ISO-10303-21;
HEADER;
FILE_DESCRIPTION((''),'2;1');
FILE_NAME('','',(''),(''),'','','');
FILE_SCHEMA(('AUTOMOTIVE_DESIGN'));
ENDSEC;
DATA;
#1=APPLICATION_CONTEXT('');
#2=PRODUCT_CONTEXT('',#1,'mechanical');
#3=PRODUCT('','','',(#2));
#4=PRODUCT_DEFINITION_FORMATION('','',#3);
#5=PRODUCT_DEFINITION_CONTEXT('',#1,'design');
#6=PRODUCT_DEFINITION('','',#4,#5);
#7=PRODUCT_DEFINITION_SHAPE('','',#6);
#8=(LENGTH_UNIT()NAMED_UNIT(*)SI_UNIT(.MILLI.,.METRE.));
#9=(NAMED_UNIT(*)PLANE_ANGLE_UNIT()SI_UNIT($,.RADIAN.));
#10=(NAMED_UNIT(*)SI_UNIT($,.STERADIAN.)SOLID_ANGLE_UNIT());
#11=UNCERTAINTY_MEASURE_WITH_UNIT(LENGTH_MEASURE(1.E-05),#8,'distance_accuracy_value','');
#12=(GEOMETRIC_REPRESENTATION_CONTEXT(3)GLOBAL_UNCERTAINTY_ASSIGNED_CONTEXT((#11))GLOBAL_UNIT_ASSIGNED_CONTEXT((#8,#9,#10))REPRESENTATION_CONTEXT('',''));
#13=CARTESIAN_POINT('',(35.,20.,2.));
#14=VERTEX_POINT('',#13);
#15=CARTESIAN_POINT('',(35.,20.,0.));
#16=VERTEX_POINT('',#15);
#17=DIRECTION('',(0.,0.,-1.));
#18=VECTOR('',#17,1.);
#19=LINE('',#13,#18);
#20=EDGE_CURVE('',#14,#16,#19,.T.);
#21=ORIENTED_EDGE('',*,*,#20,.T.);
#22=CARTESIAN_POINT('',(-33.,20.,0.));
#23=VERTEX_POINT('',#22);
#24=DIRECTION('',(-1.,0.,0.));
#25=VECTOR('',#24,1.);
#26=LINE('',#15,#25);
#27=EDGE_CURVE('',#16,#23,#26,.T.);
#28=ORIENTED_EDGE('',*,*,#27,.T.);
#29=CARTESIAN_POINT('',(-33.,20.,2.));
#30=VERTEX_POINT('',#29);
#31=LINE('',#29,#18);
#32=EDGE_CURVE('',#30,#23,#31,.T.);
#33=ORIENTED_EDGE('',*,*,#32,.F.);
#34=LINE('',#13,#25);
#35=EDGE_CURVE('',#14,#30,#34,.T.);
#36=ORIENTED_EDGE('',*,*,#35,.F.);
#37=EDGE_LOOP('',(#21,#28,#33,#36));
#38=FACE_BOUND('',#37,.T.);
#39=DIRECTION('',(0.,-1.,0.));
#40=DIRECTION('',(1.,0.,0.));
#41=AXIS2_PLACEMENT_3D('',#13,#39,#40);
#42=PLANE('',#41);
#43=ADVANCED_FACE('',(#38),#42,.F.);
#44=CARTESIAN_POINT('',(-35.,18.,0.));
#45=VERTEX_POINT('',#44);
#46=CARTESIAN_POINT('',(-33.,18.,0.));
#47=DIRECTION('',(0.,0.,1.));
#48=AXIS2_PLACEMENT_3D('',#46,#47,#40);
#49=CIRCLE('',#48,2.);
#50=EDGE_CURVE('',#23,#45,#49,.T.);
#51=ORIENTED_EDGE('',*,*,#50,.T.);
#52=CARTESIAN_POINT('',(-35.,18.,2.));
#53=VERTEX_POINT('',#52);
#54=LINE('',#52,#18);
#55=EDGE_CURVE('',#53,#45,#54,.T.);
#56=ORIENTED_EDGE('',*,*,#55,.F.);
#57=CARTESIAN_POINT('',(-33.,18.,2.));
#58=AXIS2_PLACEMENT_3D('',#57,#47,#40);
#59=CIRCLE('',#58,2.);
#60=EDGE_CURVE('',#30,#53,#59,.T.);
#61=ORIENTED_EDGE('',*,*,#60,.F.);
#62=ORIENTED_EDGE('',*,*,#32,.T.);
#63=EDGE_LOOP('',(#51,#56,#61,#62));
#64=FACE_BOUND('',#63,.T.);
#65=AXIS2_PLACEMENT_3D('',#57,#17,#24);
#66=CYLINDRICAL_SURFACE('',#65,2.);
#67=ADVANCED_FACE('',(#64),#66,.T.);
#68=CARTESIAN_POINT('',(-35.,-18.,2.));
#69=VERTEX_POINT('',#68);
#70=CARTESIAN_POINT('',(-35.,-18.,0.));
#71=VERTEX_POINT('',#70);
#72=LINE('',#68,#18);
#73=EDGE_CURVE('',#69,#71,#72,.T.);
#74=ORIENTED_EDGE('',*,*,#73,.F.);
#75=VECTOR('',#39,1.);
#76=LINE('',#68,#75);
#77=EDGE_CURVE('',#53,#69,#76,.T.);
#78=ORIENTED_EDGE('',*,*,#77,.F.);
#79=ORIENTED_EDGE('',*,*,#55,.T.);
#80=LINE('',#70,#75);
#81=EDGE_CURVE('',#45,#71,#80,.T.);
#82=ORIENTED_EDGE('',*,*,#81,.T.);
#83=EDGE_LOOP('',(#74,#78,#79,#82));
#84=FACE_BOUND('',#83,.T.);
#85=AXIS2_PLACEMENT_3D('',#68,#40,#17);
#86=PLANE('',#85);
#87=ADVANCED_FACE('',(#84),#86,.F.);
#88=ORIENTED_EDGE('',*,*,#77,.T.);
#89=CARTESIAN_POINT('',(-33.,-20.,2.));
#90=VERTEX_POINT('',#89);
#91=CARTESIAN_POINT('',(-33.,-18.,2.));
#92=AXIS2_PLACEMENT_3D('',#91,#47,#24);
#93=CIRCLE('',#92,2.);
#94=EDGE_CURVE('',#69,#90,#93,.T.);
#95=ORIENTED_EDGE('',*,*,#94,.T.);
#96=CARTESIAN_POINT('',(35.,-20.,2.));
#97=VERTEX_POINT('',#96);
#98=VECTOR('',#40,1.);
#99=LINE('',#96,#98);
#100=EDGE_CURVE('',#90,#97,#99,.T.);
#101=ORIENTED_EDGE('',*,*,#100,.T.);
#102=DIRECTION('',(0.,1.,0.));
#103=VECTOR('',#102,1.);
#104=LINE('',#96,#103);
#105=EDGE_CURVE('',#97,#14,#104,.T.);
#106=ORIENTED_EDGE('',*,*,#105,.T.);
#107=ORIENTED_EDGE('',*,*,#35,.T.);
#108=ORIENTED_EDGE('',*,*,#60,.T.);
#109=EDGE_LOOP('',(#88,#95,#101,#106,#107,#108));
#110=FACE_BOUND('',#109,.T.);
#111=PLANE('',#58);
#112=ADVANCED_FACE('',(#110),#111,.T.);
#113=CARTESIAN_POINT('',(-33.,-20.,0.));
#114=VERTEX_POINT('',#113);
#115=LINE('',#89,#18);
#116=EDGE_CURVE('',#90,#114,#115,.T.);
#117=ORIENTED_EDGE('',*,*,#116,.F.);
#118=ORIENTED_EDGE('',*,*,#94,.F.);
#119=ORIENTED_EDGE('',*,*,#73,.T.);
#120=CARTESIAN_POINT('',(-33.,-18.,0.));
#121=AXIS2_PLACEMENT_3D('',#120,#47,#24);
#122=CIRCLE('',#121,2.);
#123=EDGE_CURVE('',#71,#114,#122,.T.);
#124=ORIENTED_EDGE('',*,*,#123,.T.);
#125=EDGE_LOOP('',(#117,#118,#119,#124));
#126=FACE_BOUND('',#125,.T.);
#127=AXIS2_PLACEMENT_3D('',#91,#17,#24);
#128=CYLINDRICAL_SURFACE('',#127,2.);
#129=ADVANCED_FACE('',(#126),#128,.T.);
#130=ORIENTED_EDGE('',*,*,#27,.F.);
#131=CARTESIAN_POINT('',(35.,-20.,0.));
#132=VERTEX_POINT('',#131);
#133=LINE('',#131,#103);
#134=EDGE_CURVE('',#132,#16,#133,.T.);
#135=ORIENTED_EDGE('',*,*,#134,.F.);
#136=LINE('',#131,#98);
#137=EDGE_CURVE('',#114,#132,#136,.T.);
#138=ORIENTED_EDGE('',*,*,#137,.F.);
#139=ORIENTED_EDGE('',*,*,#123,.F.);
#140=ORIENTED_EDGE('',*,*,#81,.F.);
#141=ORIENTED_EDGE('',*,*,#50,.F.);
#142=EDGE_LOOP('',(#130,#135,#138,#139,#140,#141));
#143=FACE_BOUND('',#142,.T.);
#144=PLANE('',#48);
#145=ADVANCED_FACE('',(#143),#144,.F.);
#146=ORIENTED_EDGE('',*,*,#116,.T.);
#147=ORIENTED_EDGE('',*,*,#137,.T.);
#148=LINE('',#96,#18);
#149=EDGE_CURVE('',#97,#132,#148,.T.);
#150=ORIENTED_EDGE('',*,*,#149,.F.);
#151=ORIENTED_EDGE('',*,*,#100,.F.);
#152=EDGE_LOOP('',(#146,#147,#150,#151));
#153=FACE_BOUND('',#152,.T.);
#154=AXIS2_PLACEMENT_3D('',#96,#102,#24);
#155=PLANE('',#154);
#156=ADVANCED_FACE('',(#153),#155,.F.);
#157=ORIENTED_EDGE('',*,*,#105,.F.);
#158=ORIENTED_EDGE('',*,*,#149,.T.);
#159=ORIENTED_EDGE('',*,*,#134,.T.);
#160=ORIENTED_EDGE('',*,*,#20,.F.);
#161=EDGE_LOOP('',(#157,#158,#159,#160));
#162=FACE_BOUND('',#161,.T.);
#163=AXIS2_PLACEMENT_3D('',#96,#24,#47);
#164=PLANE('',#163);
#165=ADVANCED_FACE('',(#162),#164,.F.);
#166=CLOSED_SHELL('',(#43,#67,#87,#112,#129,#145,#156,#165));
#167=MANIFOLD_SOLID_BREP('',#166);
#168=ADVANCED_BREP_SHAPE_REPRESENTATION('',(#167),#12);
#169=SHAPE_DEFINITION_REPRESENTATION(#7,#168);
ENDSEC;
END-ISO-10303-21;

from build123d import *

# Parameters (mm, degrees)
BOSS_EXTRU_1_DEPTH = 2


with BuildPart() as part:
    # Esquisse1 → Boss.-Extru.1 (new body)
    with BuildSketch(Plane.XY):
        with BuildLine():
            Line((35, -20), (-33, -20))
            ThreePointArc((-33, -20), (-34.414213562, -19.414213562), (-35, -18))
            Line((-35, -18), (-35, 18))
            ThreePointArc((-35, 18), (-34.414213562, 19.414213562), (-33, 20))
            Line((-33, 20), (35, 20))
            Line((35, 20), (35, -20))
        make_face()
    extrude(amount=BOSS_EXTRU_1_DEPTH)


solid = part.part
